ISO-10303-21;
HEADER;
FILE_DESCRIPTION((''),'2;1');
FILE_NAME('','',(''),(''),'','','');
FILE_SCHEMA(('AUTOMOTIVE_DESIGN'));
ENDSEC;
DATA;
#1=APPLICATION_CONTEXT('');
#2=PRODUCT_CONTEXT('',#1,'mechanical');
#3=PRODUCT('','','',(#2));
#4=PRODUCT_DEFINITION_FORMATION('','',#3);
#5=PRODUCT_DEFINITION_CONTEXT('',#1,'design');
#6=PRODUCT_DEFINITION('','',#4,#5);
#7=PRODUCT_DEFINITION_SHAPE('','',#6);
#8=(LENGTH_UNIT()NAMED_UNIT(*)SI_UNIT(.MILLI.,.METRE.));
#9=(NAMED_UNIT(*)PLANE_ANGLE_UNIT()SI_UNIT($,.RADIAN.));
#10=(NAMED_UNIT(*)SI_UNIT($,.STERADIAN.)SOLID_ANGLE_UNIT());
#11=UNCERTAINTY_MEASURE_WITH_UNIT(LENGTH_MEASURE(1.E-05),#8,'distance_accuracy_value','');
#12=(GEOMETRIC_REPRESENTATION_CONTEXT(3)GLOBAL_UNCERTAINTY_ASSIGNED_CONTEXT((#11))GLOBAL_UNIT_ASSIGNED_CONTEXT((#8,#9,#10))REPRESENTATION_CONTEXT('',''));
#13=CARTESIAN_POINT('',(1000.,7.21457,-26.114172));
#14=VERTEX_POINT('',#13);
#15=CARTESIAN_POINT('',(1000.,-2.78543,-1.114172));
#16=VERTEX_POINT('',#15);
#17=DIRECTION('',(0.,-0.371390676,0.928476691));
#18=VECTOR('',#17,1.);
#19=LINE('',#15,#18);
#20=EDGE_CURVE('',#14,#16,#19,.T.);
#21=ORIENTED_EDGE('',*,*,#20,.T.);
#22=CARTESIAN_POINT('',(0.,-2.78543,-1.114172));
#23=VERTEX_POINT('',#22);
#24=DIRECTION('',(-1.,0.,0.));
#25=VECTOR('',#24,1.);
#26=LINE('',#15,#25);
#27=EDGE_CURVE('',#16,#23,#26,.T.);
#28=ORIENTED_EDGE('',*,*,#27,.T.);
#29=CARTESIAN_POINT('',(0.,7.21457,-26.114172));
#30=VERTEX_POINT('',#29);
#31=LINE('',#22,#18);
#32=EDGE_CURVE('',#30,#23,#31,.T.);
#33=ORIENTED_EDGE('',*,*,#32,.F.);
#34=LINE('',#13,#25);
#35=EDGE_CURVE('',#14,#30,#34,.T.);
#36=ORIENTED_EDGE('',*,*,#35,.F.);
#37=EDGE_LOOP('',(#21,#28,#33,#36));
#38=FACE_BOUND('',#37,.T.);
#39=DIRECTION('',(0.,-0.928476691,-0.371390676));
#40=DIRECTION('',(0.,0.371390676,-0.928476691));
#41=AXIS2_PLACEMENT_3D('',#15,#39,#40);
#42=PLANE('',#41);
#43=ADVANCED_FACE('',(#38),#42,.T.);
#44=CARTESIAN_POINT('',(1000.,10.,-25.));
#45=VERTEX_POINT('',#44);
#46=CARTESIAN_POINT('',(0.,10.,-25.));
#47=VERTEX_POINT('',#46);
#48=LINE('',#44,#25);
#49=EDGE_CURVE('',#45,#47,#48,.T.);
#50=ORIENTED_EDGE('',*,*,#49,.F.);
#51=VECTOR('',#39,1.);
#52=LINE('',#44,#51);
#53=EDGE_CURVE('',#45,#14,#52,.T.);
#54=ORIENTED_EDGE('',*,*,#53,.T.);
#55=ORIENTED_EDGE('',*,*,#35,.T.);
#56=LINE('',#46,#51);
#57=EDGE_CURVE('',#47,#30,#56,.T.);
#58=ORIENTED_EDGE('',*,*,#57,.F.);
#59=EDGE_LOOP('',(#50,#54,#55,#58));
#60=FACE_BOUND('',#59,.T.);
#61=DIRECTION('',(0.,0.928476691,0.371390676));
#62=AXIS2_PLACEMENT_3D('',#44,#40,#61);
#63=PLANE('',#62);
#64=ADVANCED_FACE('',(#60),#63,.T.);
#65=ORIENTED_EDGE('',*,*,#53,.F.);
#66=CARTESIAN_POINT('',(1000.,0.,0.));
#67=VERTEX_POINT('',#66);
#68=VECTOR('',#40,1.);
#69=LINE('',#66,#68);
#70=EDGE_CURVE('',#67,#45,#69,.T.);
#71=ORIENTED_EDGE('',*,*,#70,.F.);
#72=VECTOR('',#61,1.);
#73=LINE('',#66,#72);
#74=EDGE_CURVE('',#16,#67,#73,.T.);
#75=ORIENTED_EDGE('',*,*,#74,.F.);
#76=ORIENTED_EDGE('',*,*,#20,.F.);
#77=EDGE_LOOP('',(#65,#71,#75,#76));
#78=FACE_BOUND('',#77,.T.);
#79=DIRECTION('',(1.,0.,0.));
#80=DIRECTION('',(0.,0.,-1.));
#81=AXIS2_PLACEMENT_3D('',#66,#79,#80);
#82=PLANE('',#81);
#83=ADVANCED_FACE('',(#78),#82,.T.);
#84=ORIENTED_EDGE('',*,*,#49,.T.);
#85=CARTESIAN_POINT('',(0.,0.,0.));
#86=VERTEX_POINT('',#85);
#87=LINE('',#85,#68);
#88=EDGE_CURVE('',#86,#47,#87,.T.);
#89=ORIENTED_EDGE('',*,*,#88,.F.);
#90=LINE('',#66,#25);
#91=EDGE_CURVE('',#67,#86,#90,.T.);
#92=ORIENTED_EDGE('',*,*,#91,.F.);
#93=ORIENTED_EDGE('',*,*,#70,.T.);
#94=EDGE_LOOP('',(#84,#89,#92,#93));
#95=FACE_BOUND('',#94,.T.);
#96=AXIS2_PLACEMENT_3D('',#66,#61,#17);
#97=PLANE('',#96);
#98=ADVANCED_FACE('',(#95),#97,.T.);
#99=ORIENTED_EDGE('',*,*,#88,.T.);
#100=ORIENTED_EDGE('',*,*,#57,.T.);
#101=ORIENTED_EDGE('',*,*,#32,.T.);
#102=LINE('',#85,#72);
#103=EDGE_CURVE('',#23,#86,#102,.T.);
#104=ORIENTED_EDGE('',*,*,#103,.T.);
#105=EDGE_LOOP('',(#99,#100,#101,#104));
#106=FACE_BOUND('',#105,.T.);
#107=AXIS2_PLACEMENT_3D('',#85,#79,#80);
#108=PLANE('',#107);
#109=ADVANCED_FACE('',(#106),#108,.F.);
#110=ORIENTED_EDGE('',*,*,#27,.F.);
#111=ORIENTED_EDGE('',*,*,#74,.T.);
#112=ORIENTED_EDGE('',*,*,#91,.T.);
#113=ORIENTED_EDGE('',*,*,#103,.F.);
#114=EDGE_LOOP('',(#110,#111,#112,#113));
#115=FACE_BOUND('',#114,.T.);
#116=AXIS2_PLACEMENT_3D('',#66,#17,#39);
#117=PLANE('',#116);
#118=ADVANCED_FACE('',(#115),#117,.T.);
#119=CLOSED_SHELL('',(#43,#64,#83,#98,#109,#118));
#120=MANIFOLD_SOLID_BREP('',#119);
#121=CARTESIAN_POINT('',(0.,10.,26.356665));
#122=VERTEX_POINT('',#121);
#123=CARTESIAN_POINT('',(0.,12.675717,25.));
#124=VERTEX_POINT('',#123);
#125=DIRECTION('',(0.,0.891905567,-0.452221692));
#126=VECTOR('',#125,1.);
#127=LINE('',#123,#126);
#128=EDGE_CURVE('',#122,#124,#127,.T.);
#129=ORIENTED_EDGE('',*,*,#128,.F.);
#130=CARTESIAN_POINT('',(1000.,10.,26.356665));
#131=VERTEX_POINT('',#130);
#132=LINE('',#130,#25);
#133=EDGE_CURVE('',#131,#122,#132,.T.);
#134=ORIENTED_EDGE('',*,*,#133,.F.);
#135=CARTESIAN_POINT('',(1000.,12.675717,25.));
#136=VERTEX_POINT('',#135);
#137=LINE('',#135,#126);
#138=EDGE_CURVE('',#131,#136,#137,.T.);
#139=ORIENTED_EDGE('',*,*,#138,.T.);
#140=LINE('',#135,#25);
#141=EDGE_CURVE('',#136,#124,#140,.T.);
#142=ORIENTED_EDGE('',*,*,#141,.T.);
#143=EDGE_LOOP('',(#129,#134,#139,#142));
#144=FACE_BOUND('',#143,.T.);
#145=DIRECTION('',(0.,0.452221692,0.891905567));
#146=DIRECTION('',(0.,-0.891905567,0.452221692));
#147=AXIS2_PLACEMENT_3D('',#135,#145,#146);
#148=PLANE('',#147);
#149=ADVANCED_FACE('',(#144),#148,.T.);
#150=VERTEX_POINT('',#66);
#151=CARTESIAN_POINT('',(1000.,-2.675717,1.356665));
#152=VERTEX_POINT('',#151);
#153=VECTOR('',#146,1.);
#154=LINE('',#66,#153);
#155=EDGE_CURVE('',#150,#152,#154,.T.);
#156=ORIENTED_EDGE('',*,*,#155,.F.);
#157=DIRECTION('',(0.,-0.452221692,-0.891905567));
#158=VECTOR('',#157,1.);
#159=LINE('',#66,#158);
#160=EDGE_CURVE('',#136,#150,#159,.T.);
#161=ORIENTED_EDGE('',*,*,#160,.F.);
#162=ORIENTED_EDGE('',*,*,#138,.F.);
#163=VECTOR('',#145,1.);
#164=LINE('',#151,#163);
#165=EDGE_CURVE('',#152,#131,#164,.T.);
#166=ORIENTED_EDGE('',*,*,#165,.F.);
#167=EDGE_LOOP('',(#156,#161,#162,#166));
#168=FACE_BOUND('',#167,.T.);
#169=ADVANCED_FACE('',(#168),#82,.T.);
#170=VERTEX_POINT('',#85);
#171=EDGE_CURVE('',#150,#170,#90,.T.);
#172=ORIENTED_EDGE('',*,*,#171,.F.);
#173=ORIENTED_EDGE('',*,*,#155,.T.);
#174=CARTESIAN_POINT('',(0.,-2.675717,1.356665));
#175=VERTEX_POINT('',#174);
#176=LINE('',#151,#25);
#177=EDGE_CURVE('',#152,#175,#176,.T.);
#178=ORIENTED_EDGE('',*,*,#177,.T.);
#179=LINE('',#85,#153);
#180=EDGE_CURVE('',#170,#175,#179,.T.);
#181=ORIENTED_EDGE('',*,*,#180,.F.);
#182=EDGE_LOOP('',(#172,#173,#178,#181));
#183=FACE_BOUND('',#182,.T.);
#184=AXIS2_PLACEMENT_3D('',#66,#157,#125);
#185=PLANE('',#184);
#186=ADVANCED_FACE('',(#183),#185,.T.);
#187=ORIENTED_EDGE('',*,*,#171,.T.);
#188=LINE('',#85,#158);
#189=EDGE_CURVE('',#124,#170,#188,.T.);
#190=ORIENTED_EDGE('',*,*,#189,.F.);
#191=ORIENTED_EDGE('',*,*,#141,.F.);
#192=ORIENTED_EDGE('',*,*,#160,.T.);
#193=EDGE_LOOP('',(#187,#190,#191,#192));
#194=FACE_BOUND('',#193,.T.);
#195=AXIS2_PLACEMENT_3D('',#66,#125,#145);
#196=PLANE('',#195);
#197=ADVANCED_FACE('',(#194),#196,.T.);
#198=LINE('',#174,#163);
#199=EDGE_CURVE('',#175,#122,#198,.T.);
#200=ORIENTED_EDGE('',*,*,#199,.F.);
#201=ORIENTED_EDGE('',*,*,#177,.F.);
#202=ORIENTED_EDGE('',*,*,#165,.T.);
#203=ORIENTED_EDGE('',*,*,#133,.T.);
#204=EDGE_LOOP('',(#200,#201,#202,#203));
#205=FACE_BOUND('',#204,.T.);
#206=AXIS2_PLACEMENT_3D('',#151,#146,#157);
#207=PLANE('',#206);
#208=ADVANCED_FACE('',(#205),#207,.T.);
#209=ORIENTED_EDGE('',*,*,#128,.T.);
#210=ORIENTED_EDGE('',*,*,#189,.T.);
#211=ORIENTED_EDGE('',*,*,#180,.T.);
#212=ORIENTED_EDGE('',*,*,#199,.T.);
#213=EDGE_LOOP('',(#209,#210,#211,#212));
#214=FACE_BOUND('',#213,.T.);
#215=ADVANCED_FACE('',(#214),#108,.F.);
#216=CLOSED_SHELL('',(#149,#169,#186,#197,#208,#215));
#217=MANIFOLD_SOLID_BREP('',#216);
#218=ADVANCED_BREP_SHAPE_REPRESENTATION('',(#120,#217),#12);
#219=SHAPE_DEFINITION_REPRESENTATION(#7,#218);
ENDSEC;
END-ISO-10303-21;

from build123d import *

# Parameters (mm, degrees)
BOSS_EXTRUDE1_DEPTH   = 1000
BOSS_EXTRUDE1_2_DEPTH = 1000


with BuildPart() as part:
    # Sketch2 → Boss-Extrude1 (new body)
    with BuildSketch(Plane(origin=(0, 0, 0), x_dir=(0, 0, -1), z_dir=(1, 0, 0))):
        Polygon((-1.356665076, -2.675716702), (-26.356665076, 10), (-25, 12.675716702), (0, 0), align=None)
    extrude(amount=BOSS_EXTRUDE1_DEPTH)


with BuildPart() as body_2:
    # Sketch2 → Boss-Extrude1 2 (new body)
    with BuildSketch(Plane(origin=(0, 0, 0), x_dir=(0, 0, -1), z_dir=(1, 0, 0))):
        Polygon((25, 10), (26.114172029, 7.214569927), (1.114172029, -2.785430073), (0, 0), align=None)
    extrude(amount=BOSS_EXTRUDE1_2_DEPTH)


solid = Compound([part.part, body_2.part])
